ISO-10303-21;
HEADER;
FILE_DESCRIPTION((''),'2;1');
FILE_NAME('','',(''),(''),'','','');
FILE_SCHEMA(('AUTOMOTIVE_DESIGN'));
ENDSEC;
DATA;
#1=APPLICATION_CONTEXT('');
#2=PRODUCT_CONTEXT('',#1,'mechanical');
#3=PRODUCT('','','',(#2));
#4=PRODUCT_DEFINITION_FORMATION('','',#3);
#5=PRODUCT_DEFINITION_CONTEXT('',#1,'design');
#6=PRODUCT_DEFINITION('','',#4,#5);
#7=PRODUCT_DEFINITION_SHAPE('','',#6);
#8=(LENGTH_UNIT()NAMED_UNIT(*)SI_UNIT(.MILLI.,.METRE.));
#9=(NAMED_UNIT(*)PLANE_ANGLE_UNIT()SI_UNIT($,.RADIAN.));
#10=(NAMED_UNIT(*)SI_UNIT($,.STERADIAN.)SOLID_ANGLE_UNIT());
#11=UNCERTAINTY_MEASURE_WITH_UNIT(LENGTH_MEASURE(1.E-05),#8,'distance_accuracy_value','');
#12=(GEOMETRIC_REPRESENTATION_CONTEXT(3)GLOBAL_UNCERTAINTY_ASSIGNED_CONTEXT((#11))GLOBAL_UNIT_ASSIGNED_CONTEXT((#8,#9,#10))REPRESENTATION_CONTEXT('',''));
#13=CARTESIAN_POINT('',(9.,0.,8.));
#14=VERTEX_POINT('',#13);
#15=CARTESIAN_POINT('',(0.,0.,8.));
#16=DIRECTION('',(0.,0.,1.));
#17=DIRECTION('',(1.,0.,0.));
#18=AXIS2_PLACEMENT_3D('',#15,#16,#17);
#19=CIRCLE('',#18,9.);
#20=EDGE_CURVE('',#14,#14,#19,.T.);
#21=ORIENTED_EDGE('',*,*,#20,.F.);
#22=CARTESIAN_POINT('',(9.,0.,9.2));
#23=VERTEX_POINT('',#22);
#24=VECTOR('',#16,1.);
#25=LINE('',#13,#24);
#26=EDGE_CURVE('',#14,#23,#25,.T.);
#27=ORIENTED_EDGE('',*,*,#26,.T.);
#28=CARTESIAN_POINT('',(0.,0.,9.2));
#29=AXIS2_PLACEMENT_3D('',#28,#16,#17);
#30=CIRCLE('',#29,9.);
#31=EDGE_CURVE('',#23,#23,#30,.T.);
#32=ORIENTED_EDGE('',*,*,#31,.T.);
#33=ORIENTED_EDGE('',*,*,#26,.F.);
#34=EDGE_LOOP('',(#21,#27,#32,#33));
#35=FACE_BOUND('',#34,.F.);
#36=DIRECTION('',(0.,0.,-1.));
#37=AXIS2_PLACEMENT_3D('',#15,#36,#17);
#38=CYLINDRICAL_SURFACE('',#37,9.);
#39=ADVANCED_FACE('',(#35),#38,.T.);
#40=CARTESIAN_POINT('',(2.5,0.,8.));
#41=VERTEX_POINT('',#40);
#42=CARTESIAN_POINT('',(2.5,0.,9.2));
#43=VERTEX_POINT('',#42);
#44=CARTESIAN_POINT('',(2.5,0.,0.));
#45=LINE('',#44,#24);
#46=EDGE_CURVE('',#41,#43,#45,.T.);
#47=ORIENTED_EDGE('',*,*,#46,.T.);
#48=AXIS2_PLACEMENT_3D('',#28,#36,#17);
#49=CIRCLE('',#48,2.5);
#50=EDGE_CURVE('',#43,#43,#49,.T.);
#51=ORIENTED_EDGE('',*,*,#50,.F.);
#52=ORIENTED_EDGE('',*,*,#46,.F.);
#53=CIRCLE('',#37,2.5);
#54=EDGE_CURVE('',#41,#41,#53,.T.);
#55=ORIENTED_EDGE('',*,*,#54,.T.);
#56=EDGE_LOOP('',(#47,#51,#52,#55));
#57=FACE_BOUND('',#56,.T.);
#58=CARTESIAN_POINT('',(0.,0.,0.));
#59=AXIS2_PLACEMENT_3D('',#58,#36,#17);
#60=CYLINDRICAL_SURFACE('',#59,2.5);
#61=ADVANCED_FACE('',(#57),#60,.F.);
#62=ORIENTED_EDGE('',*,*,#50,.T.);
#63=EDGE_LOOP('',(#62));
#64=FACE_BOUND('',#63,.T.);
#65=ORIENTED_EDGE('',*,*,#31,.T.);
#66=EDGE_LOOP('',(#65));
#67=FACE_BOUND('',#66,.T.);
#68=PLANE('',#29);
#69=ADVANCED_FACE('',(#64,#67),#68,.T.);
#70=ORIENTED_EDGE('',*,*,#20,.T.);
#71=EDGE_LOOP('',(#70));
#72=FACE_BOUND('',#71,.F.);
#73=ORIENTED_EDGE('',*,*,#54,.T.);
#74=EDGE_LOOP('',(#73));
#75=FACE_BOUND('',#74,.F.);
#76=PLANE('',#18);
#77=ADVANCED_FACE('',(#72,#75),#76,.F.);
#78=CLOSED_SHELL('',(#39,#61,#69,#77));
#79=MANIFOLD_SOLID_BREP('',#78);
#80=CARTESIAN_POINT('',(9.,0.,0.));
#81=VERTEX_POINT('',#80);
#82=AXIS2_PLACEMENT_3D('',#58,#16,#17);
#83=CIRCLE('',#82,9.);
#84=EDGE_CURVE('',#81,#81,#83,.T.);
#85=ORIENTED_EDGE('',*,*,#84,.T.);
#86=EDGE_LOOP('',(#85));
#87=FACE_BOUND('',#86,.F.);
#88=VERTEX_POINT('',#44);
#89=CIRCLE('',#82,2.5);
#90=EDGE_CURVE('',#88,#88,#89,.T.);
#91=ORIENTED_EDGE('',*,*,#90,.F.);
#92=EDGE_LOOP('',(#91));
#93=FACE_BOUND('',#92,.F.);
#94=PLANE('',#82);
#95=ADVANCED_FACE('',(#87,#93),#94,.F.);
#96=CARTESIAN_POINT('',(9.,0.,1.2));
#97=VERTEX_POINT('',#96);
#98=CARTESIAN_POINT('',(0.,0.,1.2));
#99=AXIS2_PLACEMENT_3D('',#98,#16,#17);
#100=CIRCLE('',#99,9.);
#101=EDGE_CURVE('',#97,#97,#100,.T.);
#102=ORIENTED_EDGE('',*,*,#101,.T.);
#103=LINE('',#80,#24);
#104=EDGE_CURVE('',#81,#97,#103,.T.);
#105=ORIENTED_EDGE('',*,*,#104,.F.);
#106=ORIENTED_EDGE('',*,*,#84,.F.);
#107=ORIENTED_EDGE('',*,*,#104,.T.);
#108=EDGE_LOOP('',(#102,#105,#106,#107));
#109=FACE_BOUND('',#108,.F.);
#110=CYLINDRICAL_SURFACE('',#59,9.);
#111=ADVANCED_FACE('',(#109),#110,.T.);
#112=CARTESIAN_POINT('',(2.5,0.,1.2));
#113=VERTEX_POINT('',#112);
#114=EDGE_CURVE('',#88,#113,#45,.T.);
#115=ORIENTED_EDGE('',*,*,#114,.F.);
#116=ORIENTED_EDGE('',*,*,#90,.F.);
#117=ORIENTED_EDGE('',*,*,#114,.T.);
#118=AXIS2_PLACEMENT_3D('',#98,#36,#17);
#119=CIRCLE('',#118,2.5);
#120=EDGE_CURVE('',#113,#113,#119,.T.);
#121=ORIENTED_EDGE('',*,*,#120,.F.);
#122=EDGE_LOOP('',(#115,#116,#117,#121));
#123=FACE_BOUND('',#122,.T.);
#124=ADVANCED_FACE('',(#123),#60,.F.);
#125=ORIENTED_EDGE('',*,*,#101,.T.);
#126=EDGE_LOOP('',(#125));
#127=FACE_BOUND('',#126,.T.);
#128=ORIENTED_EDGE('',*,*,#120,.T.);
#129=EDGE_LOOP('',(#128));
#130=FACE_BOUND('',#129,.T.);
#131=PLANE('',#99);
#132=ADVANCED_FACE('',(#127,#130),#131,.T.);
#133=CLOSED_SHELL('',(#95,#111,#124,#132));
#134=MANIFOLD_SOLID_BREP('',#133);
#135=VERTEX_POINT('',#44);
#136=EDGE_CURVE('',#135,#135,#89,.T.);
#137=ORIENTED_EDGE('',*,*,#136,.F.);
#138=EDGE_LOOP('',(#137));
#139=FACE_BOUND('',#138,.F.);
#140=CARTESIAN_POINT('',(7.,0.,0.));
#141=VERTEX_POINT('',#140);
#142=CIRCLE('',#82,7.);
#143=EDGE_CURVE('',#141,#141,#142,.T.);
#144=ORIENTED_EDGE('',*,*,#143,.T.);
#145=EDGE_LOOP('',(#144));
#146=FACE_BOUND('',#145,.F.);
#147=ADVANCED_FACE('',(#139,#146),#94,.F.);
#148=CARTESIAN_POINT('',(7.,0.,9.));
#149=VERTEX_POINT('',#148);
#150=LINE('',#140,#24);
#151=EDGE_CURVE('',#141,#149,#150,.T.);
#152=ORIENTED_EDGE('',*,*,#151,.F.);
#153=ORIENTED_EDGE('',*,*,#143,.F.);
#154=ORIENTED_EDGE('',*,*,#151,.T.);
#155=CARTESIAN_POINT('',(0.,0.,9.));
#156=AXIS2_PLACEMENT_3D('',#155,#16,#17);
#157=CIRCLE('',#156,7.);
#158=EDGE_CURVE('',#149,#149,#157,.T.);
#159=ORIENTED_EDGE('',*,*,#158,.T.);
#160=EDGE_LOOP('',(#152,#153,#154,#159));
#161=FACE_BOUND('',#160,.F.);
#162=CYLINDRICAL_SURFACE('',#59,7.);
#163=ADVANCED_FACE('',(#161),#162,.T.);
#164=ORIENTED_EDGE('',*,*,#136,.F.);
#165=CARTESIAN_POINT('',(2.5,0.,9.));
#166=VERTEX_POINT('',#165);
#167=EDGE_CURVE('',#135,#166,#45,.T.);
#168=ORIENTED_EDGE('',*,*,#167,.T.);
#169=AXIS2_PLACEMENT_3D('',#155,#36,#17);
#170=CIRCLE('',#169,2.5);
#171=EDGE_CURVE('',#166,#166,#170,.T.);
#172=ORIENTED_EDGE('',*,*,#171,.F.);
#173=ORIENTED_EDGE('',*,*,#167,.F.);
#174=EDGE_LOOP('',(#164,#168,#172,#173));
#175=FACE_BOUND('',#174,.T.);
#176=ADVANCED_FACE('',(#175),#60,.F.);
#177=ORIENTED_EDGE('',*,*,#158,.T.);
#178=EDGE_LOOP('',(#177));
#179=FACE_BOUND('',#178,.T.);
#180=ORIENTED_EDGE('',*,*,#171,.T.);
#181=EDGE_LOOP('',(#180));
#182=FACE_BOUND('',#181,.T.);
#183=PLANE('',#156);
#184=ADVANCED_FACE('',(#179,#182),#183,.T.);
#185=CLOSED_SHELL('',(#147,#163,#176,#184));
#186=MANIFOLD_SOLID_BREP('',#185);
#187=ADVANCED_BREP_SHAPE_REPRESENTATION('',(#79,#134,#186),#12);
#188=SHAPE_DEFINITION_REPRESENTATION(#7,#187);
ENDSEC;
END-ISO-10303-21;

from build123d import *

# Parameters (mm, degrees)
CYLINDER003_R     = 2.5
CYLINDER003_DEPTH = 12
CYLINDER002_R     = 7
CYLINDER002_DEPTH = 9
CYLINDER001_R     = 9
CYLINDER001_DEPTH = 1.2
CYLINDER_R        = 9
CYLINDER_DEPTH    = 1.2


with BuildPart() as knock:
    # Cylinder003 → Cylinder003 (new body)
    with BuildSketch(Plane.XY):
        Circle(CYLINDER003_R)
    extrude(amount=CYLINDER003_DEPTH)


with BuildPart() as cut:
    # Cylinder002 → Cylinder002 (new body)
    with BuildSketch(Plane.XY):
        Circle(CYLINDER002_R)
    extrude(amount=CYLINDER002_DEPTH)

    # Cut: cut KNOCK
    add(knock.part, mode=Mode.SUBTRACT)


with BuildPart() as cut001:
    # Cylinder001 → Cylinder001 (new body)
    with BuildSketch(Plane.XY.offset(8)):
        Circle(CYLINDER001_R)
    extrude(amount=CYLINDER001_DEPTH)

    # Cut001: cut KNOCK
    add(knock.part, mode=Mode.SUBTRACT)


with BuildPart() as cut002:
    # Cylinder → Cylinder (new body)
    with BuildSketch(Plane.XY):
        Circle(CYLINDER_R)
    extrude(amount=CYLINDER_DEPTH)

    # Cut002: cut KNOCK
    add(knock.part, mode=Mode.SUBTRACT)


solid = Compound([cut.part, cut001.part, cut002.part])
